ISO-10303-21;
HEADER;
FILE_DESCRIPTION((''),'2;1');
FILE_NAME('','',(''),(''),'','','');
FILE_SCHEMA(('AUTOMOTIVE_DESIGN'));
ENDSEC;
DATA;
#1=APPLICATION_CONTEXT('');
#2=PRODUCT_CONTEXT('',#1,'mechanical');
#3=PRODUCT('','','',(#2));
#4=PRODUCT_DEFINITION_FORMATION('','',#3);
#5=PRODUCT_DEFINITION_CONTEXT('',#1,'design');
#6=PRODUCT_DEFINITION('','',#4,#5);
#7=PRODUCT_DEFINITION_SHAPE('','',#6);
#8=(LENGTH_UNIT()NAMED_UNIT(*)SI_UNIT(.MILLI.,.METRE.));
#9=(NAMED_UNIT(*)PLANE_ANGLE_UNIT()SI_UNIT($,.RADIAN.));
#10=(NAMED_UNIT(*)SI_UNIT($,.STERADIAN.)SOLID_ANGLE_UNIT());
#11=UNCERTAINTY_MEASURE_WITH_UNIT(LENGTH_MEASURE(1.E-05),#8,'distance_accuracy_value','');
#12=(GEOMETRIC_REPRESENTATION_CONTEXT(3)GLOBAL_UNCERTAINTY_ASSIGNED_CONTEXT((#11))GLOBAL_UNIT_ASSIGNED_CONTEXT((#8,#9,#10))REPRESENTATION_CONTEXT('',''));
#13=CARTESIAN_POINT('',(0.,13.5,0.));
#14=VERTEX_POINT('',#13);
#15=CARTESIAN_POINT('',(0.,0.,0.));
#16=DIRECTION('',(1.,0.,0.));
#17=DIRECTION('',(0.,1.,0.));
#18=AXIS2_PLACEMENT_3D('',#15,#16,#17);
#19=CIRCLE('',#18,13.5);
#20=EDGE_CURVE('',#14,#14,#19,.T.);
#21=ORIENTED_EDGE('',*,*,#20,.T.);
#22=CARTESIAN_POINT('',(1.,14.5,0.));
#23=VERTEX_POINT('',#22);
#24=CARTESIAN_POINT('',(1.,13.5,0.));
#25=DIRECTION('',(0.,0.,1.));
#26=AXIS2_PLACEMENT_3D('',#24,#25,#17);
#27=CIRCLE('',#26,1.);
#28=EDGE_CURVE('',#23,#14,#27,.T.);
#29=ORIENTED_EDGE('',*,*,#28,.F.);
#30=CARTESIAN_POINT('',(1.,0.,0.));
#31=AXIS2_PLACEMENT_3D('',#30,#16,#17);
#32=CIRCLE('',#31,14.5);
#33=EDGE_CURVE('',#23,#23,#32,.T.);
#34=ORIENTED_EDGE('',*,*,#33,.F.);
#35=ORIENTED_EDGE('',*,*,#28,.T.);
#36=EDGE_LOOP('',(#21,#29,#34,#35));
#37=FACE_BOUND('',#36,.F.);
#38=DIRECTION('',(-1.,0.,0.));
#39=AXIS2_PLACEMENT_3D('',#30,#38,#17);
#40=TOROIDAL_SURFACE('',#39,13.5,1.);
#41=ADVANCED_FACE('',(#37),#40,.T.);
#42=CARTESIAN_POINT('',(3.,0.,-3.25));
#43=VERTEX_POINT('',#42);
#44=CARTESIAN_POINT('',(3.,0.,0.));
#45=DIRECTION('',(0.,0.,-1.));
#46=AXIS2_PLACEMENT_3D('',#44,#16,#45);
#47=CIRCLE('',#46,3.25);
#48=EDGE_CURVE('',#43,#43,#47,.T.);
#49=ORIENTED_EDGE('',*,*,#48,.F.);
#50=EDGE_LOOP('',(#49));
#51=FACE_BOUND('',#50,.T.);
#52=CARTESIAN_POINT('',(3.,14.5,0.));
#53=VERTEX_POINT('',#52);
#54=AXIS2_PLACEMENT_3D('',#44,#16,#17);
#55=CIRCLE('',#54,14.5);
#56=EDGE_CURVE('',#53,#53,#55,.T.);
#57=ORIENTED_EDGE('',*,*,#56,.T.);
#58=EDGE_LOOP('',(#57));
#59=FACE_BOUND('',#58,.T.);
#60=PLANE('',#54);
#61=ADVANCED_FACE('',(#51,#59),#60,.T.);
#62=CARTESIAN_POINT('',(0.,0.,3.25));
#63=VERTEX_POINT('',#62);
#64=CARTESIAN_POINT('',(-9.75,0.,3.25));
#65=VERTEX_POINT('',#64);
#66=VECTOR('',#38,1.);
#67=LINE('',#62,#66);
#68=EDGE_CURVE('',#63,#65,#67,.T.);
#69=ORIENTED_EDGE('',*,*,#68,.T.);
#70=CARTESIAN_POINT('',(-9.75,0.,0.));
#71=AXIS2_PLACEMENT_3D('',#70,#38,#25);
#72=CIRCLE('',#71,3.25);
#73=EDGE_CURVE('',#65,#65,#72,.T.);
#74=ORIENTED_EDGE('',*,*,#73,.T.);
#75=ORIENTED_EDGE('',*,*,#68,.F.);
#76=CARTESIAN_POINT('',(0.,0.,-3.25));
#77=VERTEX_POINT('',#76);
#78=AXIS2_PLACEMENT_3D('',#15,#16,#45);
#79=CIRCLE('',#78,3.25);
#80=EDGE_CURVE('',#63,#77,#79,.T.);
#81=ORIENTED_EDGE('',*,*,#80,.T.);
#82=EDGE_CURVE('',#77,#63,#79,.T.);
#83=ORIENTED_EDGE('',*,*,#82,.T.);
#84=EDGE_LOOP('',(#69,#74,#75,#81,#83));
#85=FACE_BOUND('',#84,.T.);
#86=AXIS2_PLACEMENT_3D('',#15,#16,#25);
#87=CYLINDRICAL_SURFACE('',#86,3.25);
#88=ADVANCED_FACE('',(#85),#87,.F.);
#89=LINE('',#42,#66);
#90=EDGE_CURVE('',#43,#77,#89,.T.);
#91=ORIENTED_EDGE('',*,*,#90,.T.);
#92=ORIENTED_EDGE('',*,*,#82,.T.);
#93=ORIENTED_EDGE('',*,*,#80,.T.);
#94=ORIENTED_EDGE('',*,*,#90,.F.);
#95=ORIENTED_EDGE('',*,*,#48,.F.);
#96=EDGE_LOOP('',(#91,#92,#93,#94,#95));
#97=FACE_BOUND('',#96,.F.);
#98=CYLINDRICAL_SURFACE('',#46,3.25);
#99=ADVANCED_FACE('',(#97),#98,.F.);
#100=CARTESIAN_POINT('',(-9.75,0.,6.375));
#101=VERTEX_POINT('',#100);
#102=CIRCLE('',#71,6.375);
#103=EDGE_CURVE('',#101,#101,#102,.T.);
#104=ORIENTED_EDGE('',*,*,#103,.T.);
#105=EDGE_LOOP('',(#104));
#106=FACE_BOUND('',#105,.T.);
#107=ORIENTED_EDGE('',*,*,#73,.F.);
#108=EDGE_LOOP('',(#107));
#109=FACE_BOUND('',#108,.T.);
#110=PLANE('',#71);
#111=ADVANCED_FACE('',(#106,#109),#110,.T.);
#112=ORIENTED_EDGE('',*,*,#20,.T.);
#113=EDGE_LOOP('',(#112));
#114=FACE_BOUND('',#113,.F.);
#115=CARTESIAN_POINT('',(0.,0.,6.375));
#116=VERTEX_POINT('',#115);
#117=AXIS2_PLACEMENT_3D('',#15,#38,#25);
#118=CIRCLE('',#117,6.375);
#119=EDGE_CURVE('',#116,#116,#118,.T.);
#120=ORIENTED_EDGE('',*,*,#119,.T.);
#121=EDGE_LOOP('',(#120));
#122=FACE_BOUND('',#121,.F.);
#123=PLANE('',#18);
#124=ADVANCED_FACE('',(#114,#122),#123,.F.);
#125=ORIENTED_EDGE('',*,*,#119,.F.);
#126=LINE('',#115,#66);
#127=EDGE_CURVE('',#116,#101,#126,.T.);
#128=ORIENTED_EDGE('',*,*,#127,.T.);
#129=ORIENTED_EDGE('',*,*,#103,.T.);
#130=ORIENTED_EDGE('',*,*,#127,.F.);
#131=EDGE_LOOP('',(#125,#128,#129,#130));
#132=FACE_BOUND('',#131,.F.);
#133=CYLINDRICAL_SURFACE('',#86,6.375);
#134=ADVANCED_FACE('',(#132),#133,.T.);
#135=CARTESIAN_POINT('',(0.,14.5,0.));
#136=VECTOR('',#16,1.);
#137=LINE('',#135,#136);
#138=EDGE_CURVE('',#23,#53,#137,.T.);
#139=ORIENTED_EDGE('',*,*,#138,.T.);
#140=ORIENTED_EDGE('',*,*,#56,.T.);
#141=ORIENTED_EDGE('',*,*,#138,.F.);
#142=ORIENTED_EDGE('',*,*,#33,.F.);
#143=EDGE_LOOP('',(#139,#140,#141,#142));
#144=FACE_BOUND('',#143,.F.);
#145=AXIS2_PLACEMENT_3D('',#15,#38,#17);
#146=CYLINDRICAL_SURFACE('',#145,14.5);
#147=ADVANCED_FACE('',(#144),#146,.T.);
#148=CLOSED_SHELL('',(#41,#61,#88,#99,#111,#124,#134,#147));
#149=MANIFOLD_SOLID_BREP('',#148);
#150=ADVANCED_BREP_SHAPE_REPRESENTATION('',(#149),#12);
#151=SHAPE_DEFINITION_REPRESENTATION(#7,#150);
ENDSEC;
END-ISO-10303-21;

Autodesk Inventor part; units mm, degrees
ref_plane "YZ Plane" through (0, 0, 0) normal (1, 0, 0) x (0, 1, 0)
ref_plane "XZ Plane" through (0, 0, 0) normal (0, 1, 0) x (-1, 0, 0)
ref_plane "XY Plane" through (0, 0, 0) normal (0, 0, 1) x (1, 0, 0)
sketch "Sketch1" plane through (0, 0, 0) normal (1, 0, 0) x (0, 1, 0)
  circle A0 centre (0, 0) radius 14.5
  dimension "d0" = 29
extrude "Extrusion1" add sketch "Sketch1" along normal blind 3
fillet "Fillet1" radius 1 1 edges at (0, -14.5, 0)
sketch "Sketch2" plane through (0, 0, 0) normal (-1, 0, 0) x (0, 0, 1)
  point P0 (0, 0)
sketch "Sketch3" plane through (3, 0, 0) normal (1, 0, 0) x (0, 0, -1)
  circle A0 centre (0, 0) radius 3.25
  dimension "d4" = 6.5
extrude "Extrusion2" cut sketch "Sketch3" against normal blind 3
sketch "Sketch4" plane through (0, 0, 0) normal (-1, 0, 0) x (0, 0, 1)
  circle A0 centre (0, 0) radius 3.25
  circle A1 centre (0, 0) radius 6.375
  dimension "d7" = 12.75
sketch "Sketch5" plane through (0, 0, 0) normal (-1, 0, 0) x (0, 0, 1)
  point P0 (0, 0)
extrude "Extrusion3" add sketch "Sketch4" along normal blind 9.75
properties part number "thiccBB_hubsSlideIn"
